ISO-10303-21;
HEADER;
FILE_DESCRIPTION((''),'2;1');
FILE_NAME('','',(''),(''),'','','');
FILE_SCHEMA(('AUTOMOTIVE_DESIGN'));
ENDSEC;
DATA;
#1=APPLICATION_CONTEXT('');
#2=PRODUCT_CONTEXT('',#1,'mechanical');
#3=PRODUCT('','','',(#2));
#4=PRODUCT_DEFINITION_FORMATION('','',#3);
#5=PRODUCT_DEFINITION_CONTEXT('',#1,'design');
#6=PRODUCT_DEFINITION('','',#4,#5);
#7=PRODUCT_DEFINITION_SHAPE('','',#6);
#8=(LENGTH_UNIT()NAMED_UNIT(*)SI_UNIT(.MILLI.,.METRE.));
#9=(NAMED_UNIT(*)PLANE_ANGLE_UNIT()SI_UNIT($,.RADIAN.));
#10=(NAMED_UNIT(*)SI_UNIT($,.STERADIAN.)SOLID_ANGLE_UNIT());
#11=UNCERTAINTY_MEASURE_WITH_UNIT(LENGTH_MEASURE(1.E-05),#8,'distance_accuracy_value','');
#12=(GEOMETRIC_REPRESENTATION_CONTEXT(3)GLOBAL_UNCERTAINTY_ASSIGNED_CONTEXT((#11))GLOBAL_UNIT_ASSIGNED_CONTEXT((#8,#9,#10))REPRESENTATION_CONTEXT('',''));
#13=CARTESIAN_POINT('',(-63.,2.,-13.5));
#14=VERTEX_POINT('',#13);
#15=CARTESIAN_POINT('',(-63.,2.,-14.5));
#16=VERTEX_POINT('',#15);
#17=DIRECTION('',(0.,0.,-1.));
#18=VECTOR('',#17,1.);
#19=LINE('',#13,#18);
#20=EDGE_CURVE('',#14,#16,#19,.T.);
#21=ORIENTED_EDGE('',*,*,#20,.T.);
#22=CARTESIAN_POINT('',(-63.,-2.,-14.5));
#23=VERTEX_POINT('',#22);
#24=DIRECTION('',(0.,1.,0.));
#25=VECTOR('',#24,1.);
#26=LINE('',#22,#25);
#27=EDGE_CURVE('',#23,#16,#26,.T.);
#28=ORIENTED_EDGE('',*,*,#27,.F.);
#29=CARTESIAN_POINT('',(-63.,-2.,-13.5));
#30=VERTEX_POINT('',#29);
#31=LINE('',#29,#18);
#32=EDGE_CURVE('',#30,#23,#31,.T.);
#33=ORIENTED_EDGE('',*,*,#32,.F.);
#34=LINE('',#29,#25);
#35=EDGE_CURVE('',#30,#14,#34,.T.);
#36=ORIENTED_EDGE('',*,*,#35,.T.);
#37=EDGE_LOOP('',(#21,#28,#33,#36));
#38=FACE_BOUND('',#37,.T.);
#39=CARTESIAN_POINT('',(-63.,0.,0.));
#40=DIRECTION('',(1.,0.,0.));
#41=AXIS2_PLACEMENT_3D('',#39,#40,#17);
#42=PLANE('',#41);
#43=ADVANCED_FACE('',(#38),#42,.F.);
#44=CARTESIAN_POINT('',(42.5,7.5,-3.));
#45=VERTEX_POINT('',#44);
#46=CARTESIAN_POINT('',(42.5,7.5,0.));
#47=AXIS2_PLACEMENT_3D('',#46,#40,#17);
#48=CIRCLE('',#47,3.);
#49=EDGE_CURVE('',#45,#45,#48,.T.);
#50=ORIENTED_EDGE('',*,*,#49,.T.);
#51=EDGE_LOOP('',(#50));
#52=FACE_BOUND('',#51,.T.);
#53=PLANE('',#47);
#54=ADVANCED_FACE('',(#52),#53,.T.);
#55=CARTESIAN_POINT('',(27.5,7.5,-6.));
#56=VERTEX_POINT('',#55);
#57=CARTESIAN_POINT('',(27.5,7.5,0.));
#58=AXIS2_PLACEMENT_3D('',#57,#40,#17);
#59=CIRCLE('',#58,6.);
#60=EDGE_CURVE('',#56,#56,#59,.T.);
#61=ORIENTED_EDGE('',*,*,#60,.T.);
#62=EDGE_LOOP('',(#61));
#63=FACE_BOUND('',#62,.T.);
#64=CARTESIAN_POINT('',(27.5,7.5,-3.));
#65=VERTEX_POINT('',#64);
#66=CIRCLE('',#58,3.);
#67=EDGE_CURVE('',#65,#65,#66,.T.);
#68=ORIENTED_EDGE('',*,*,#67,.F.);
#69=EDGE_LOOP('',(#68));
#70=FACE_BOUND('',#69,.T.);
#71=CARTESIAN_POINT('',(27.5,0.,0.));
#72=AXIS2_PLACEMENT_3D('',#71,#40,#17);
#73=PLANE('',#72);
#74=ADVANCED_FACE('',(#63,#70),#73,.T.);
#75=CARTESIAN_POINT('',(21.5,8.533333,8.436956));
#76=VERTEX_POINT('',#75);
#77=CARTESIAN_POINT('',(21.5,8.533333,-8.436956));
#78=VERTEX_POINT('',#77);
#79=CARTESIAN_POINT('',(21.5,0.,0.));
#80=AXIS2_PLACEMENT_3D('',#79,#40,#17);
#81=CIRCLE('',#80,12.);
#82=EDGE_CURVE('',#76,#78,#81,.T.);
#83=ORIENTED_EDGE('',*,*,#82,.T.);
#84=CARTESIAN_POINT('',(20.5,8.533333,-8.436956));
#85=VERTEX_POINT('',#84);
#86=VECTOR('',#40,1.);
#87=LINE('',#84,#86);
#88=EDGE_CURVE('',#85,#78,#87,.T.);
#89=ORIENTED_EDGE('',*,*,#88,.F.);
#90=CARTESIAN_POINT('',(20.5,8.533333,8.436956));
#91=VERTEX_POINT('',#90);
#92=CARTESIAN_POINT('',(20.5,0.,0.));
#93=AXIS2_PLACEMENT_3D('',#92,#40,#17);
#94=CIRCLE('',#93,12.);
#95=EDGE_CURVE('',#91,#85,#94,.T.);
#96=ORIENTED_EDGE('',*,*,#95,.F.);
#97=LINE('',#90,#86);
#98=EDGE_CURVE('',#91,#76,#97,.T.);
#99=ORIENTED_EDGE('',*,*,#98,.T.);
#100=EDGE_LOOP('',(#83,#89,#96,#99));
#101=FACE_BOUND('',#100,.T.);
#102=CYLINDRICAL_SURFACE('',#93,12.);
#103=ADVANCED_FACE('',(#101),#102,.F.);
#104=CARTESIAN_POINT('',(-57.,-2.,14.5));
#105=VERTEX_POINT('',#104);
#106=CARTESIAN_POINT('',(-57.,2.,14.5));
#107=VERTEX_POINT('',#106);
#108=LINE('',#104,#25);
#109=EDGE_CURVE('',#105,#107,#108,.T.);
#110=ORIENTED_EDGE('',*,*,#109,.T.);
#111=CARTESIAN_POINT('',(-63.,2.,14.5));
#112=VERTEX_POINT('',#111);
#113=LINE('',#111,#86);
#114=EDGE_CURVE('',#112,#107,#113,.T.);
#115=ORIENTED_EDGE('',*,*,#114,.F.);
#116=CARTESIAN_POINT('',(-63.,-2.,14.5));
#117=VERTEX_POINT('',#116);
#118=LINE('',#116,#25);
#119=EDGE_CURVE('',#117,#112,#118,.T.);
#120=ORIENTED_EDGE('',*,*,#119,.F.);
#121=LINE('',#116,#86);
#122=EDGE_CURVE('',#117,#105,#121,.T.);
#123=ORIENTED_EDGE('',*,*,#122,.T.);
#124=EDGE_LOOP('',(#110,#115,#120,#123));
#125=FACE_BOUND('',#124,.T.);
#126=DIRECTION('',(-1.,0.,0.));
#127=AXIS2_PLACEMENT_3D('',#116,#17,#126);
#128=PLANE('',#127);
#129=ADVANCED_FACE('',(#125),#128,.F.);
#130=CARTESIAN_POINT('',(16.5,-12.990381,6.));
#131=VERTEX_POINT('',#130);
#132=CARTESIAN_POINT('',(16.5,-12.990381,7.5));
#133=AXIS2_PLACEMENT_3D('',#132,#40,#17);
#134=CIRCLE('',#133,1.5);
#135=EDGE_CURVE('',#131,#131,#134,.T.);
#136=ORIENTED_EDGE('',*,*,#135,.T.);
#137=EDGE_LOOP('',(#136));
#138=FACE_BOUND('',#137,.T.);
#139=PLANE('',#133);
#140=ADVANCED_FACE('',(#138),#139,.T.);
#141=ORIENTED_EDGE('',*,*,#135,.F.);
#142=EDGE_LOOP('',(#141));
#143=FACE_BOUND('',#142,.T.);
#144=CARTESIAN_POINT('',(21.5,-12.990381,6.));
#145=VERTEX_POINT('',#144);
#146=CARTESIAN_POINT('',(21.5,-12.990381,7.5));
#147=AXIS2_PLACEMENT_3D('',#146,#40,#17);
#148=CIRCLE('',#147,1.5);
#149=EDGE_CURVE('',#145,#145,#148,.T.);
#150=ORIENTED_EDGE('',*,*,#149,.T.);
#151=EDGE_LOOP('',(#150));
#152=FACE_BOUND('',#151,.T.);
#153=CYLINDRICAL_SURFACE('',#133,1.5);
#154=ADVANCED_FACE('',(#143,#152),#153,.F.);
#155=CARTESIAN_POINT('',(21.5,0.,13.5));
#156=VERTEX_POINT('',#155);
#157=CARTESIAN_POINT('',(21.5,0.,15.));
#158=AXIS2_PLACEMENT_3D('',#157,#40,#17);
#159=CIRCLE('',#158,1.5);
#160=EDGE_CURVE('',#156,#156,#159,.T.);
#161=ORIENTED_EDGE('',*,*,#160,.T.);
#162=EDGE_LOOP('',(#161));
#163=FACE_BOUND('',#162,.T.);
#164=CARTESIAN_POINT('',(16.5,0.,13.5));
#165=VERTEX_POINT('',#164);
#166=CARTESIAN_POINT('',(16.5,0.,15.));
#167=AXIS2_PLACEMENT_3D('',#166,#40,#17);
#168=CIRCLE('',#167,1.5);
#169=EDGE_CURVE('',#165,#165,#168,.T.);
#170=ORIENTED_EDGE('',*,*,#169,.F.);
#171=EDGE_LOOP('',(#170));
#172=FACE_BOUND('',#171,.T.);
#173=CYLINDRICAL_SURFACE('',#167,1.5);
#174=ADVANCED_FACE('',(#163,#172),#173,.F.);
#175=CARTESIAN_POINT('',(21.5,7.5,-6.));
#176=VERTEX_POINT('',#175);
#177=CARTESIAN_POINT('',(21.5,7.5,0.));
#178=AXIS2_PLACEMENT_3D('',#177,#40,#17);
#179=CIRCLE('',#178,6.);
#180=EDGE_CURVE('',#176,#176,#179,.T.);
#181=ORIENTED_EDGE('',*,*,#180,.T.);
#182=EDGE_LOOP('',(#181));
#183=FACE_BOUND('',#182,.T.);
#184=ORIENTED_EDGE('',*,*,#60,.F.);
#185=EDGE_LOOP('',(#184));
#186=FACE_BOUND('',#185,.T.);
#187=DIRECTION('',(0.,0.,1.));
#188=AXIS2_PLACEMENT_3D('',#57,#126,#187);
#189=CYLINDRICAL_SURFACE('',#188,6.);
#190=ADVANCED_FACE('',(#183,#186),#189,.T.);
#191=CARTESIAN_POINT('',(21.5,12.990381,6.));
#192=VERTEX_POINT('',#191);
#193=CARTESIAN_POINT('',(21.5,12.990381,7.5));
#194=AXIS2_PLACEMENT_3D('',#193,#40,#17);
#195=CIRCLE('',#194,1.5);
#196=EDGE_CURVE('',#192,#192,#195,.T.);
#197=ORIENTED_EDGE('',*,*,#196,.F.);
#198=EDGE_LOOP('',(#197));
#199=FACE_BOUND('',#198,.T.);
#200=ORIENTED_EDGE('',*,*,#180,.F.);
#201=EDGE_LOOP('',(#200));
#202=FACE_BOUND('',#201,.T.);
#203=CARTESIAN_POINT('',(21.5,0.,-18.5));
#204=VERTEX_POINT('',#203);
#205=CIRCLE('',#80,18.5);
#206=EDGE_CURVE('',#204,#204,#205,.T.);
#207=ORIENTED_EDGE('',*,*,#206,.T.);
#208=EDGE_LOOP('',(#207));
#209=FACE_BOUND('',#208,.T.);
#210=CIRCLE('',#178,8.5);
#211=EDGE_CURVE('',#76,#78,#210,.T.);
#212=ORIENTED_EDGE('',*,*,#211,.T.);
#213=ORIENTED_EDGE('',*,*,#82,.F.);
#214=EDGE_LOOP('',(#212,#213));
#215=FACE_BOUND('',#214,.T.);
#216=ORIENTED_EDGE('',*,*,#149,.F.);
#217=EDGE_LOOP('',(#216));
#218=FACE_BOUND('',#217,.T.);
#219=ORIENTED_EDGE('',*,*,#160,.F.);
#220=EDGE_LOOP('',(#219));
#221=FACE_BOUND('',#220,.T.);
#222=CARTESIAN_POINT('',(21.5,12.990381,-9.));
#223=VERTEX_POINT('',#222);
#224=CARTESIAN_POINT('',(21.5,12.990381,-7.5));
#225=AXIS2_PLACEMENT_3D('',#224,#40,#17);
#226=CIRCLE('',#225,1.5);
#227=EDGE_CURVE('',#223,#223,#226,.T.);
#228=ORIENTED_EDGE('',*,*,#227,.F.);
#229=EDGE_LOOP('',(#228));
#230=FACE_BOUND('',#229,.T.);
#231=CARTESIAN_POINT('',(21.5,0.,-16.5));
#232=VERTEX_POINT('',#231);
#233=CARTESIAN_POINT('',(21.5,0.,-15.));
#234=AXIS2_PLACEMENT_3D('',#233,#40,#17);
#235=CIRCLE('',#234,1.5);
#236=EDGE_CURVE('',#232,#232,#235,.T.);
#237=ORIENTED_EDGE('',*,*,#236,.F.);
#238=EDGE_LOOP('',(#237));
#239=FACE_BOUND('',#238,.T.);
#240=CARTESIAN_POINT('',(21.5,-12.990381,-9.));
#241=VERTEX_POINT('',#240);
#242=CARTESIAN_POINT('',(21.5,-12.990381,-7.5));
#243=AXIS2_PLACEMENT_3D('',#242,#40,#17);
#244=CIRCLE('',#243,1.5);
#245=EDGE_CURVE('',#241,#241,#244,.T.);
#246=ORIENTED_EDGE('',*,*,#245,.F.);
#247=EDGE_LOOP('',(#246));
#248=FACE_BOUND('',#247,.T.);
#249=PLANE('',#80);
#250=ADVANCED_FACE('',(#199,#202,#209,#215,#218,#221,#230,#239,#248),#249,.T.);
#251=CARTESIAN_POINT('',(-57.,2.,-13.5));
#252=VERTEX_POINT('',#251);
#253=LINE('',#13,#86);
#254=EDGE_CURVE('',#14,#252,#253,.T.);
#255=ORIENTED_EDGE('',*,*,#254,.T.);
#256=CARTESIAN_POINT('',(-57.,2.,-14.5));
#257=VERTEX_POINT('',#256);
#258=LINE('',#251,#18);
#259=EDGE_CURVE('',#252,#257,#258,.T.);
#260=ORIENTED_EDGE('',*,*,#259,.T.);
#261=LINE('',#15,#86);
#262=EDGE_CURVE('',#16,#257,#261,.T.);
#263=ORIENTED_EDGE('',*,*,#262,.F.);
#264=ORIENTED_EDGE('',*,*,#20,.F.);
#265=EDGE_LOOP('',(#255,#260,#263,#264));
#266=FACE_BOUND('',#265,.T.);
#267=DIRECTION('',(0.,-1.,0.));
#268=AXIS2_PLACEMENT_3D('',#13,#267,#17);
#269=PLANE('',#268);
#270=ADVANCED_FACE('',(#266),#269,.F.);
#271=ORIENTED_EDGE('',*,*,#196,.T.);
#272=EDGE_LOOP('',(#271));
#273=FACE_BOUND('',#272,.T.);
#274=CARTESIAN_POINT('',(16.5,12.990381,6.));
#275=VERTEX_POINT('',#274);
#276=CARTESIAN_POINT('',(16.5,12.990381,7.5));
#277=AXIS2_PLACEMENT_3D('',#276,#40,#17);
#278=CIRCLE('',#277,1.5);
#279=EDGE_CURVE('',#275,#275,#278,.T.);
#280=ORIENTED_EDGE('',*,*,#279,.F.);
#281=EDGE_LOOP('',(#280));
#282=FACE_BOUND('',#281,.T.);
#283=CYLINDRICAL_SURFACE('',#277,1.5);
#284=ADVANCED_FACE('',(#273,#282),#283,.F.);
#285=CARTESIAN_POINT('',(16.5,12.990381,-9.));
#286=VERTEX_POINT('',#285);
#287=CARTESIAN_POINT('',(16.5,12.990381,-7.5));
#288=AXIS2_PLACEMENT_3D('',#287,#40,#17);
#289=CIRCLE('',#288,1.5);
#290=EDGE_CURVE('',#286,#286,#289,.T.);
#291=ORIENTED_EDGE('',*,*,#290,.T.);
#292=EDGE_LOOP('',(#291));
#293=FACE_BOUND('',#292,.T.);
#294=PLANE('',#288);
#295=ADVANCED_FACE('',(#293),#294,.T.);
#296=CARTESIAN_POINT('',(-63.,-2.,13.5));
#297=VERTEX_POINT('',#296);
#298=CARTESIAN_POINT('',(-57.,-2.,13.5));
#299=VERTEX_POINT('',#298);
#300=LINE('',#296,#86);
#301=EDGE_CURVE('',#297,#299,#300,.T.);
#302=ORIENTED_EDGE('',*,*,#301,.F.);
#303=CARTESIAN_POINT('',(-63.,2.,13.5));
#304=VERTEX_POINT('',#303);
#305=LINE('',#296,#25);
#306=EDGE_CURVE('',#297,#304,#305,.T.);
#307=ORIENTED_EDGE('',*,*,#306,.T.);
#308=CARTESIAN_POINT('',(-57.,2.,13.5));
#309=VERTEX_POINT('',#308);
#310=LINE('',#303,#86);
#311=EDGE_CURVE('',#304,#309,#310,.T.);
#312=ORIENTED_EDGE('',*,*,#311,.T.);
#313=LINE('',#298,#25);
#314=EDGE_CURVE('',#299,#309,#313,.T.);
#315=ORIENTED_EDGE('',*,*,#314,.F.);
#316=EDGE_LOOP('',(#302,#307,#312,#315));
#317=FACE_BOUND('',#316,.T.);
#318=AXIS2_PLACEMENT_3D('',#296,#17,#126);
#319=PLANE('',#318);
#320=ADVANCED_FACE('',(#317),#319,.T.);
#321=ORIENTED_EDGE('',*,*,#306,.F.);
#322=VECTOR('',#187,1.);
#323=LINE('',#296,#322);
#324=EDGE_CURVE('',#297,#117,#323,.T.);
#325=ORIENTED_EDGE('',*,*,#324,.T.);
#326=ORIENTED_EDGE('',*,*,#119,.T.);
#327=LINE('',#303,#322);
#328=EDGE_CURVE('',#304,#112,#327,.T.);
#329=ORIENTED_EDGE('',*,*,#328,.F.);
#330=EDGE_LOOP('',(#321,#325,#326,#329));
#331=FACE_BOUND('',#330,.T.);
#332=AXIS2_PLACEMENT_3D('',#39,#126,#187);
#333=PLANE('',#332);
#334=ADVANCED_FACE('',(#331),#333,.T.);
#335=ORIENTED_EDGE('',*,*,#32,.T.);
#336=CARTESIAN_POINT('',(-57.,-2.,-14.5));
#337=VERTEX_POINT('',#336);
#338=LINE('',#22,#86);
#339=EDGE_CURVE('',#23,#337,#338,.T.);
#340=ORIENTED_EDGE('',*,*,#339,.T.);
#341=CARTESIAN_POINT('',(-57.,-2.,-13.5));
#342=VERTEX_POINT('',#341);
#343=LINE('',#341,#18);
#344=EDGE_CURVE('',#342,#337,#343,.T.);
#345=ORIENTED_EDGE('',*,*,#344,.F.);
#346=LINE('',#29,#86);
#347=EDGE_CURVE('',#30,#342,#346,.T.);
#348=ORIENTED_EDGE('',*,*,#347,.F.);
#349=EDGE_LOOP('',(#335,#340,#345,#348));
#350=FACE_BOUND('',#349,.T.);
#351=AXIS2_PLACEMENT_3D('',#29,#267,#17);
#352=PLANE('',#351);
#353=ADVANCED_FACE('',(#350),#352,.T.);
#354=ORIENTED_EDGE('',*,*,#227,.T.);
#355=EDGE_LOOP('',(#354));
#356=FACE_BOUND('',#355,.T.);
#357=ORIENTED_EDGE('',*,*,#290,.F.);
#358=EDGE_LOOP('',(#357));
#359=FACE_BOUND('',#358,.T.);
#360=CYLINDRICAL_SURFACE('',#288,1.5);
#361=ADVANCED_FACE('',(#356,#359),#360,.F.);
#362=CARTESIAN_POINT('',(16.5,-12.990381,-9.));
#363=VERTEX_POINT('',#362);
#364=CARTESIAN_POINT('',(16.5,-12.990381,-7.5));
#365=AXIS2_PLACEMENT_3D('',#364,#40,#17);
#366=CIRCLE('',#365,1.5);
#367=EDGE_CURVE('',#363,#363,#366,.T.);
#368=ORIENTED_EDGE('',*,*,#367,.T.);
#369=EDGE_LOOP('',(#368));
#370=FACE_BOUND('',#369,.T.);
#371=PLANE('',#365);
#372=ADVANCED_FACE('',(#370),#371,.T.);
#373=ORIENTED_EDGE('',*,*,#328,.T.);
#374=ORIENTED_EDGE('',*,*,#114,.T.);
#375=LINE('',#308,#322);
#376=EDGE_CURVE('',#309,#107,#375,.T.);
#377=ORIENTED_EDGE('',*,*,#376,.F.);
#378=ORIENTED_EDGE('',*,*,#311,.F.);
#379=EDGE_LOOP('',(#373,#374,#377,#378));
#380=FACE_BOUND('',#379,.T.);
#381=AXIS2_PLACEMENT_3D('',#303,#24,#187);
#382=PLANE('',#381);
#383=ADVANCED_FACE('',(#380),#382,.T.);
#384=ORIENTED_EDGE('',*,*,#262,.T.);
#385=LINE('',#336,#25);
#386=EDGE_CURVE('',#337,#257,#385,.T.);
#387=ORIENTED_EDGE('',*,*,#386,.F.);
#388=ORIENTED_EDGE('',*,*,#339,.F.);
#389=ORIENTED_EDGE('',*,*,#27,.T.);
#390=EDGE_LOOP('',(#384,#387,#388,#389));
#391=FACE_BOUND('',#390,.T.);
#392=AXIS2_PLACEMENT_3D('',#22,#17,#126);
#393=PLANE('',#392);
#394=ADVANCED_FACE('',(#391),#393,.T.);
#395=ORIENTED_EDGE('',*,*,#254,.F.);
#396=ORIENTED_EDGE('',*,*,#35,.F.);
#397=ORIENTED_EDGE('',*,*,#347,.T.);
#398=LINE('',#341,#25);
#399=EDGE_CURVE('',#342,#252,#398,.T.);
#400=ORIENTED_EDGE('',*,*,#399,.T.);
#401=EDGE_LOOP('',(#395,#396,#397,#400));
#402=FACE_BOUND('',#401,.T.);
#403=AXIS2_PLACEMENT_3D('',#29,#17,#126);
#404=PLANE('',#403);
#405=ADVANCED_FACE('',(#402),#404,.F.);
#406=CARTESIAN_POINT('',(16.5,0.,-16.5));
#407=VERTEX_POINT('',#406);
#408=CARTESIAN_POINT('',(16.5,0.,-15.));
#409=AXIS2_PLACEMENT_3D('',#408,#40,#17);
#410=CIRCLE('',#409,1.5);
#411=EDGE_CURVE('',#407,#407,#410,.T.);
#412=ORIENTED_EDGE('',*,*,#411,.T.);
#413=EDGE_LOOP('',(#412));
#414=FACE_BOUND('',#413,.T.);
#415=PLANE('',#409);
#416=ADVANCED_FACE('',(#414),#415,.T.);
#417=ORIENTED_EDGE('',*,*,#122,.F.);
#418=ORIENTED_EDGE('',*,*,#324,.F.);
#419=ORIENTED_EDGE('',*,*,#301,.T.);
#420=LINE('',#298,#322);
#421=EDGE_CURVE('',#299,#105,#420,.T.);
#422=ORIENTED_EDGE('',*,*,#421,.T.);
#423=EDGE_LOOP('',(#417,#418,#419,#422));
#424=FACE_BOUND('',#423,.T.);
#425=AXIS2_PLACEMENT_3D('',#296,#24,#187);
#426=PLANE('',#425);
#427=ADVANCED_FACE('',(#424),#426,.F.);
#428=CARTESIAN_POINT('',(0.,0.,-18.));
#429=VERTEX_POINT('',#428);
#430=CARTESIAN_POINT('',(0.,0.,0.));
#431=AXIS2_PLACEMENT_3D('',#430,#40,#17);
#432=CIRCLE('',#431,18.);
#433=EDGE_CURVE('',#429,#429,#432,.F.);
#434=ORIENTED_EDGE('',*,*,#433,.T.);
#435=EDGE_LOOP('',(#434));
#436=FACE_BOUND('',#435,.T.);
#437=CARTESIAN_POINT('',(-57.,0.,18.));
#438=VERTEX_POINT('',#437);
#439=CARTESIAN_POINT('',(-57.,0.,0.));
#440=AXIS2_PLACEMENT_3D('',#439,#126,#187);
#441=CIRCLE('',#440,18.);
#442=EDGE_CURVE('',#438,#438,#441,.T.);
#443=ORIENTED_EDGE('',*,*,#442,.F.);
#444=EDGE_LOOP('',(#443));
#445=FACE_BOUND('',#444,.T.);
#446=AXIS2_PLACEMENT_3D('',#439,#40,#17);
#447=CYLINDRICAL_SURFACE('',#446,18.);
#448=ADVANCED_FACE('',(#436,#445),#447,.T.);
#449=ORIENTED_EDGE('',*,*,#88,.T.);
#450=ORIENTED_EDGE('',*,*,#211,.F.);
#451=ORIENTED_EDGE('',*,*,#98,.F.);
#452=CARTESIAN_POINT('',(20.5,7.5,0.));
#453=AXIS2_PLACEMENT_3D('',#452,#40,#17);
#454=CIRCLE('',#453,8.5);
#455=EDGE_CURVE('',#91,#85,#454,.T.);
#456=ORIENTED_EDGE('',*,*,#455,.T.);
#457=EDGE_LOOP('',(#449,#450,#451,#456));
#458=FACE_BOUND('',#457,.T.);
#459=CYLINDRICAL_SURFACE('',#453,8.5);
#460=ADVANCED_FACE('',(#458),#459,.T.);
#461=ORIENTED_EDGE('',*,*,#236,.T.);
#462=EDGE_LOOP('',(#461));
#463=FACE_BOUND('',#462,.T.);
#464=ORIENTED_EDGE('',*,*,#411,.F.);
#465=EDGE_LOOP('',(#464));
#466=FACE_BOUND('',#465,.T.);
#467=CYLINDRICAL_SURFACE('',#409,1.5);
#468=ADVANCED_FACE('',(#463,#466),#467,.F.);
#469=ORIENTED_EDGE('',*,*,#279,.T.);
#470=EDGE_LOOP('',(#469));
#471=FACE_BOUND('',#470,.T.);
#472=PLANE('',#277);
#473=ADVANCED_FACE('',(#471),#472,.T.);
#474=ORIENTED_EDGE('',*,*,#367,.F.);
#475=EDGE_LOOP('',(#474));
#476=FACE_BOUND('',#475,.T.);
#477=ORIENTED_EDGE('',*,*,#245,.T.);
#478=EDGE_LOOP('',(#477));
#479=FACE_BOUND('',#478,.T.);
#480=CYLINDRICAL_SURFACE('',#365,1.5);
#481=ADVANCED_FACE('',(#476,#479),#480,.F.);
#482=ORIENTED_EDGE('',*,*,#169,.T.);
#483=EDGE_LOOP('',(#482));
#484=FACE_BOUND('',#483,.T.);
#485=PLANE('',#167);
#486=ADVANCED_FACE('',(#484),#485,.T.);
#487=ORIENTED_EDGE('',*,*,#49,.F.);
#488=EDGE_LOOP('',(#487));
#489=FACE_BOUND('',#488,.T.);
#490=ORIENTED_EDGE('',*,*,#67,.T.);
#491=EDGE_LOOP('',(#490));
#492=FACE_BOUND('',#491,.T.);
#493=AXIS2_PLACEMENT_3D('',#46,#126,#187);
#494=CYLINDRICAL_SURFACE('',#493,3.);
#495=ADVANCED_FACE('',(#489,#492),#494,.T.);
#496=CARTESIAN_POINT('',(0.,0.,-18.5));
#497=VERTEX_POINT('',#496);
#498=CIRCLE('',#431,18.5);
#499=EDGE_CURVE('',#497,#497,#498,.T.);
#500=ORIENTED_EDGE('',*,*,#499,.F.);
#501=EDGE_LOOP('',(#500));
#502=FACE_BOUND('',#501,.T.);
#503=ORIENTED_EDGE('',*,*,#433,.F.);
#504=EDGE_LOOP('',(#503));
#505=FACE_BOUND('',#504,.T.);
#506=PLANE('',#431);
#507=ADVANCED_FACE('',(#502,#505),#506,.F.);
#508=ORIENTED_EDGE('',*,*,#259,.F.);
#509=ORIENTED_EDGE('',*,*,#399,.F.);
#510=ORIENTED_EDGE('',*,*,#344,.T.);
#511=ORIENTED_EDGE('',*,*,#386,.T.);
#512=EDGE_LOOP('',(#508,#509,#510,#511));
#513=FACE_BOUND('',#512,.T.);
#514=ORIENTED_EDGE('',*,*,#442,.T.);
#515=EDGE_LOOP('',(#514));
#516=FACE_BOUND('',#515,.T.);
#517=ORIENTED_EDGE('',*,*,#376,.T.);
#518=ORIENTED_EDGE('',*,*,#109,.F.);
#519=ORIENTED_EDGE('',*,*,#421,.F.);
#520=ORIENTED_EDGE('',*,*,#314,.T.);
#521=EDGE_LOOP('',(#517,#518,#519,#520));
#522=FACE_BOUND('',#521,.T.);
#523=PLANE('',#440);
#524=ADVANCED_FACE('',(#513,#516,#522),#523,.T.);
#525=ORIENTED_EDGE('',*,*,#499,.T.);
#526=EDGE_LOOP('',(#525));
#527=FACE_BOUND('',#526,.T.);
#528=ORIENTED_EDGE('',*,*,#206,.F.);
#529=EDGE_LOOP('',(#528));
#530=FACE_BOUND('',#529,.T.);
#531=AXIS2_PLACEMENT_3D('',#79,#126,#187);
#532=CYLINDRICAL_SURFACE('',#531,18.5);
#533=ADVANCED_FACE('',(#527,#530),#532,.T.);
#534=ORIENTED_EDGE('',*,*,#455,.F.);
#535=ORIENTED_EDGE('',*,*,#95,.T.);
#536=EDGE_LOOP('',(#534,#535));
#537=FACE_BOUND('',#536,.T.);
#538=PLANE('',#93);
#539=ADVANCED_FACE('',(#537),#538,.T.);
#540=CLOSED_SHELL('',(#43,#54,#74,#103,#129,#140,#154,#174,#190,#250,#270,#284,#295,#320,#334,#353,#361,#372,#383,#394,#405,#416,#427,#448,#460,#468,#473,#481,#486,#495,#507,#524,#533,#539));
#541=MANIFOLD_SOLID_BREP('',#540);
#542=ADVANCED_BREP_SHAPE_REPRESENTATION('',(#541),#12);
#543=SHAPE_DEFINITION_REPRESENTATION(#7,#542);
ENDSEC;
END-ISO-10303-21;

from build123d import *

# Parameters (mm, degrees)
SKETCH1_R           = 18.5
BOSS_EXTRUDE1_DEPTH = 21.5
SKETCH2_R           = 18
BOSS_EXTRUDE2_DEPTH = 57
SKETCH3_W           = 1
SKETCH3_H           = 4
BOSS_EXTRUDE3_DEPTH = 6
SKETCH4_R           = 6
BOSS_EXTRUDE4_DEPTH = 6
SKETCH5_R           = 3
BOSS_EXTRUDE5_DEPTH = 15
CUT_EXTRUDE1_DEPTH  = 1
SKETCH7_R           = 1.5
CUT_EXTRUDE2_DEPTH  = 5


with BuildPart() as part:
    # Sketch1 → Boss-Extrude1 (new body)
    with BuildSketch(Plane(origin=(0, 0, 0), x_dir=(0, 0, -1), z_dir=(1, 0, 0))):
        Circle(SKETCH1_R)
    extrude(amount=BOSS_EXTRUDE1_DEPTH)

    # Sketch2 → Boss-Extrude2 (add)
    with BuildSketch(Plane.ZY):
        Circle(SKETCH2_R)
    extrude(amount=BOSS_EXTRUDE2_DEPTH)

    # Sketch3 → Boss-Extrude3 (add)
    with BuildSketch(Plane.ZY.offset(57)):
        with Locations((-14, 0)):
            Rectangle(SKETCH3_W, SKETCH3_H)
        with Locations((14, 0)):
            Rectangle(SKETCH3_W, SKETCH3_H)
    extrude(amount=BOSS_EXTRUDE3_DEPTH)

    # Sketch4 → Boss-Extrude4 (add)
    with BuildSketch(Plane(origin=(21.5, 0, 0), x_dir=(0, 0, -1), z_dir=(1, 0, 0))):
        with Locations((0, 7.5)):
            Circle(SKETCH4_R)
    extrude(amount=BOSS_EXTRUDE4_DEPTH)

    # Sketch5 → Boss-Extrude5 (add)
    with BuildSketch(Plane(origin=(27.5, 0, 0), x_dir=(0, 0, -1), z_dir=(1, 0, 0))):
        with Locations((0, 7.5)):
            Circle(SKETCH5_R)
    extrude(amount=BOSS_EXTRUDE5_DEPTH)

    # Sketch6 → Cut-Extrude1 (cut)
    with BuildSketch(Plane(origin=(21.5, 0, 0), x_dir=(0, 0, -1), z_dir=(1, 0, 0))):
        with BuildLine():
            ThreePointArc((-8.436955744, 8.533333333), (-4.623663649, -11.073469847), (12, 0))
            ThreePointArc((12, 0), (11.073469847, 4.623663649), (8.436955744, 8.533333333))
            ThreePointArc((8.436955744, 8.533333333), (8.484224296, 8.017627365), (8.5, 7.5))
            ThreePointArc((8.5, 7.5), (-0.517627365, -0.984224296), (-8.436955744, 8.533333333))
        make_face()
    extrude(amount=-CUT_EXTRUDE1_DEPTH, mode=Mode.SUBTRACT)

    # Sketch7 → Cut-Extrude2 (cut)
    with BuildSketch(Plane(origin=(21.5, 0, 0), x_dir=(0, 0, -1), z_dir=(1, 0, 0))):
        with Locations((-15, 0)):
            Circle(SKETCH7_R)
        with Locations((-7.5, 12.990381057)):
            Circle(SKETCH7_R)
        with Locations((7.5, 12.990381057)):
            Circle(SKETCH7_R)
        with Locations((15, 0)):
            Circle(SKETCH7_R)
        with Locations((7.5, -12.990381057)):
            Circle(SKETCH7_R)
        with Locations((-7.5, -12.990381057)):
            Circle(SKETCH7_R)
    extrude(amount=-CUT_EXTRUDE2_DEPTH, mode=Mode.SUBTRACT)


solid = part.part
